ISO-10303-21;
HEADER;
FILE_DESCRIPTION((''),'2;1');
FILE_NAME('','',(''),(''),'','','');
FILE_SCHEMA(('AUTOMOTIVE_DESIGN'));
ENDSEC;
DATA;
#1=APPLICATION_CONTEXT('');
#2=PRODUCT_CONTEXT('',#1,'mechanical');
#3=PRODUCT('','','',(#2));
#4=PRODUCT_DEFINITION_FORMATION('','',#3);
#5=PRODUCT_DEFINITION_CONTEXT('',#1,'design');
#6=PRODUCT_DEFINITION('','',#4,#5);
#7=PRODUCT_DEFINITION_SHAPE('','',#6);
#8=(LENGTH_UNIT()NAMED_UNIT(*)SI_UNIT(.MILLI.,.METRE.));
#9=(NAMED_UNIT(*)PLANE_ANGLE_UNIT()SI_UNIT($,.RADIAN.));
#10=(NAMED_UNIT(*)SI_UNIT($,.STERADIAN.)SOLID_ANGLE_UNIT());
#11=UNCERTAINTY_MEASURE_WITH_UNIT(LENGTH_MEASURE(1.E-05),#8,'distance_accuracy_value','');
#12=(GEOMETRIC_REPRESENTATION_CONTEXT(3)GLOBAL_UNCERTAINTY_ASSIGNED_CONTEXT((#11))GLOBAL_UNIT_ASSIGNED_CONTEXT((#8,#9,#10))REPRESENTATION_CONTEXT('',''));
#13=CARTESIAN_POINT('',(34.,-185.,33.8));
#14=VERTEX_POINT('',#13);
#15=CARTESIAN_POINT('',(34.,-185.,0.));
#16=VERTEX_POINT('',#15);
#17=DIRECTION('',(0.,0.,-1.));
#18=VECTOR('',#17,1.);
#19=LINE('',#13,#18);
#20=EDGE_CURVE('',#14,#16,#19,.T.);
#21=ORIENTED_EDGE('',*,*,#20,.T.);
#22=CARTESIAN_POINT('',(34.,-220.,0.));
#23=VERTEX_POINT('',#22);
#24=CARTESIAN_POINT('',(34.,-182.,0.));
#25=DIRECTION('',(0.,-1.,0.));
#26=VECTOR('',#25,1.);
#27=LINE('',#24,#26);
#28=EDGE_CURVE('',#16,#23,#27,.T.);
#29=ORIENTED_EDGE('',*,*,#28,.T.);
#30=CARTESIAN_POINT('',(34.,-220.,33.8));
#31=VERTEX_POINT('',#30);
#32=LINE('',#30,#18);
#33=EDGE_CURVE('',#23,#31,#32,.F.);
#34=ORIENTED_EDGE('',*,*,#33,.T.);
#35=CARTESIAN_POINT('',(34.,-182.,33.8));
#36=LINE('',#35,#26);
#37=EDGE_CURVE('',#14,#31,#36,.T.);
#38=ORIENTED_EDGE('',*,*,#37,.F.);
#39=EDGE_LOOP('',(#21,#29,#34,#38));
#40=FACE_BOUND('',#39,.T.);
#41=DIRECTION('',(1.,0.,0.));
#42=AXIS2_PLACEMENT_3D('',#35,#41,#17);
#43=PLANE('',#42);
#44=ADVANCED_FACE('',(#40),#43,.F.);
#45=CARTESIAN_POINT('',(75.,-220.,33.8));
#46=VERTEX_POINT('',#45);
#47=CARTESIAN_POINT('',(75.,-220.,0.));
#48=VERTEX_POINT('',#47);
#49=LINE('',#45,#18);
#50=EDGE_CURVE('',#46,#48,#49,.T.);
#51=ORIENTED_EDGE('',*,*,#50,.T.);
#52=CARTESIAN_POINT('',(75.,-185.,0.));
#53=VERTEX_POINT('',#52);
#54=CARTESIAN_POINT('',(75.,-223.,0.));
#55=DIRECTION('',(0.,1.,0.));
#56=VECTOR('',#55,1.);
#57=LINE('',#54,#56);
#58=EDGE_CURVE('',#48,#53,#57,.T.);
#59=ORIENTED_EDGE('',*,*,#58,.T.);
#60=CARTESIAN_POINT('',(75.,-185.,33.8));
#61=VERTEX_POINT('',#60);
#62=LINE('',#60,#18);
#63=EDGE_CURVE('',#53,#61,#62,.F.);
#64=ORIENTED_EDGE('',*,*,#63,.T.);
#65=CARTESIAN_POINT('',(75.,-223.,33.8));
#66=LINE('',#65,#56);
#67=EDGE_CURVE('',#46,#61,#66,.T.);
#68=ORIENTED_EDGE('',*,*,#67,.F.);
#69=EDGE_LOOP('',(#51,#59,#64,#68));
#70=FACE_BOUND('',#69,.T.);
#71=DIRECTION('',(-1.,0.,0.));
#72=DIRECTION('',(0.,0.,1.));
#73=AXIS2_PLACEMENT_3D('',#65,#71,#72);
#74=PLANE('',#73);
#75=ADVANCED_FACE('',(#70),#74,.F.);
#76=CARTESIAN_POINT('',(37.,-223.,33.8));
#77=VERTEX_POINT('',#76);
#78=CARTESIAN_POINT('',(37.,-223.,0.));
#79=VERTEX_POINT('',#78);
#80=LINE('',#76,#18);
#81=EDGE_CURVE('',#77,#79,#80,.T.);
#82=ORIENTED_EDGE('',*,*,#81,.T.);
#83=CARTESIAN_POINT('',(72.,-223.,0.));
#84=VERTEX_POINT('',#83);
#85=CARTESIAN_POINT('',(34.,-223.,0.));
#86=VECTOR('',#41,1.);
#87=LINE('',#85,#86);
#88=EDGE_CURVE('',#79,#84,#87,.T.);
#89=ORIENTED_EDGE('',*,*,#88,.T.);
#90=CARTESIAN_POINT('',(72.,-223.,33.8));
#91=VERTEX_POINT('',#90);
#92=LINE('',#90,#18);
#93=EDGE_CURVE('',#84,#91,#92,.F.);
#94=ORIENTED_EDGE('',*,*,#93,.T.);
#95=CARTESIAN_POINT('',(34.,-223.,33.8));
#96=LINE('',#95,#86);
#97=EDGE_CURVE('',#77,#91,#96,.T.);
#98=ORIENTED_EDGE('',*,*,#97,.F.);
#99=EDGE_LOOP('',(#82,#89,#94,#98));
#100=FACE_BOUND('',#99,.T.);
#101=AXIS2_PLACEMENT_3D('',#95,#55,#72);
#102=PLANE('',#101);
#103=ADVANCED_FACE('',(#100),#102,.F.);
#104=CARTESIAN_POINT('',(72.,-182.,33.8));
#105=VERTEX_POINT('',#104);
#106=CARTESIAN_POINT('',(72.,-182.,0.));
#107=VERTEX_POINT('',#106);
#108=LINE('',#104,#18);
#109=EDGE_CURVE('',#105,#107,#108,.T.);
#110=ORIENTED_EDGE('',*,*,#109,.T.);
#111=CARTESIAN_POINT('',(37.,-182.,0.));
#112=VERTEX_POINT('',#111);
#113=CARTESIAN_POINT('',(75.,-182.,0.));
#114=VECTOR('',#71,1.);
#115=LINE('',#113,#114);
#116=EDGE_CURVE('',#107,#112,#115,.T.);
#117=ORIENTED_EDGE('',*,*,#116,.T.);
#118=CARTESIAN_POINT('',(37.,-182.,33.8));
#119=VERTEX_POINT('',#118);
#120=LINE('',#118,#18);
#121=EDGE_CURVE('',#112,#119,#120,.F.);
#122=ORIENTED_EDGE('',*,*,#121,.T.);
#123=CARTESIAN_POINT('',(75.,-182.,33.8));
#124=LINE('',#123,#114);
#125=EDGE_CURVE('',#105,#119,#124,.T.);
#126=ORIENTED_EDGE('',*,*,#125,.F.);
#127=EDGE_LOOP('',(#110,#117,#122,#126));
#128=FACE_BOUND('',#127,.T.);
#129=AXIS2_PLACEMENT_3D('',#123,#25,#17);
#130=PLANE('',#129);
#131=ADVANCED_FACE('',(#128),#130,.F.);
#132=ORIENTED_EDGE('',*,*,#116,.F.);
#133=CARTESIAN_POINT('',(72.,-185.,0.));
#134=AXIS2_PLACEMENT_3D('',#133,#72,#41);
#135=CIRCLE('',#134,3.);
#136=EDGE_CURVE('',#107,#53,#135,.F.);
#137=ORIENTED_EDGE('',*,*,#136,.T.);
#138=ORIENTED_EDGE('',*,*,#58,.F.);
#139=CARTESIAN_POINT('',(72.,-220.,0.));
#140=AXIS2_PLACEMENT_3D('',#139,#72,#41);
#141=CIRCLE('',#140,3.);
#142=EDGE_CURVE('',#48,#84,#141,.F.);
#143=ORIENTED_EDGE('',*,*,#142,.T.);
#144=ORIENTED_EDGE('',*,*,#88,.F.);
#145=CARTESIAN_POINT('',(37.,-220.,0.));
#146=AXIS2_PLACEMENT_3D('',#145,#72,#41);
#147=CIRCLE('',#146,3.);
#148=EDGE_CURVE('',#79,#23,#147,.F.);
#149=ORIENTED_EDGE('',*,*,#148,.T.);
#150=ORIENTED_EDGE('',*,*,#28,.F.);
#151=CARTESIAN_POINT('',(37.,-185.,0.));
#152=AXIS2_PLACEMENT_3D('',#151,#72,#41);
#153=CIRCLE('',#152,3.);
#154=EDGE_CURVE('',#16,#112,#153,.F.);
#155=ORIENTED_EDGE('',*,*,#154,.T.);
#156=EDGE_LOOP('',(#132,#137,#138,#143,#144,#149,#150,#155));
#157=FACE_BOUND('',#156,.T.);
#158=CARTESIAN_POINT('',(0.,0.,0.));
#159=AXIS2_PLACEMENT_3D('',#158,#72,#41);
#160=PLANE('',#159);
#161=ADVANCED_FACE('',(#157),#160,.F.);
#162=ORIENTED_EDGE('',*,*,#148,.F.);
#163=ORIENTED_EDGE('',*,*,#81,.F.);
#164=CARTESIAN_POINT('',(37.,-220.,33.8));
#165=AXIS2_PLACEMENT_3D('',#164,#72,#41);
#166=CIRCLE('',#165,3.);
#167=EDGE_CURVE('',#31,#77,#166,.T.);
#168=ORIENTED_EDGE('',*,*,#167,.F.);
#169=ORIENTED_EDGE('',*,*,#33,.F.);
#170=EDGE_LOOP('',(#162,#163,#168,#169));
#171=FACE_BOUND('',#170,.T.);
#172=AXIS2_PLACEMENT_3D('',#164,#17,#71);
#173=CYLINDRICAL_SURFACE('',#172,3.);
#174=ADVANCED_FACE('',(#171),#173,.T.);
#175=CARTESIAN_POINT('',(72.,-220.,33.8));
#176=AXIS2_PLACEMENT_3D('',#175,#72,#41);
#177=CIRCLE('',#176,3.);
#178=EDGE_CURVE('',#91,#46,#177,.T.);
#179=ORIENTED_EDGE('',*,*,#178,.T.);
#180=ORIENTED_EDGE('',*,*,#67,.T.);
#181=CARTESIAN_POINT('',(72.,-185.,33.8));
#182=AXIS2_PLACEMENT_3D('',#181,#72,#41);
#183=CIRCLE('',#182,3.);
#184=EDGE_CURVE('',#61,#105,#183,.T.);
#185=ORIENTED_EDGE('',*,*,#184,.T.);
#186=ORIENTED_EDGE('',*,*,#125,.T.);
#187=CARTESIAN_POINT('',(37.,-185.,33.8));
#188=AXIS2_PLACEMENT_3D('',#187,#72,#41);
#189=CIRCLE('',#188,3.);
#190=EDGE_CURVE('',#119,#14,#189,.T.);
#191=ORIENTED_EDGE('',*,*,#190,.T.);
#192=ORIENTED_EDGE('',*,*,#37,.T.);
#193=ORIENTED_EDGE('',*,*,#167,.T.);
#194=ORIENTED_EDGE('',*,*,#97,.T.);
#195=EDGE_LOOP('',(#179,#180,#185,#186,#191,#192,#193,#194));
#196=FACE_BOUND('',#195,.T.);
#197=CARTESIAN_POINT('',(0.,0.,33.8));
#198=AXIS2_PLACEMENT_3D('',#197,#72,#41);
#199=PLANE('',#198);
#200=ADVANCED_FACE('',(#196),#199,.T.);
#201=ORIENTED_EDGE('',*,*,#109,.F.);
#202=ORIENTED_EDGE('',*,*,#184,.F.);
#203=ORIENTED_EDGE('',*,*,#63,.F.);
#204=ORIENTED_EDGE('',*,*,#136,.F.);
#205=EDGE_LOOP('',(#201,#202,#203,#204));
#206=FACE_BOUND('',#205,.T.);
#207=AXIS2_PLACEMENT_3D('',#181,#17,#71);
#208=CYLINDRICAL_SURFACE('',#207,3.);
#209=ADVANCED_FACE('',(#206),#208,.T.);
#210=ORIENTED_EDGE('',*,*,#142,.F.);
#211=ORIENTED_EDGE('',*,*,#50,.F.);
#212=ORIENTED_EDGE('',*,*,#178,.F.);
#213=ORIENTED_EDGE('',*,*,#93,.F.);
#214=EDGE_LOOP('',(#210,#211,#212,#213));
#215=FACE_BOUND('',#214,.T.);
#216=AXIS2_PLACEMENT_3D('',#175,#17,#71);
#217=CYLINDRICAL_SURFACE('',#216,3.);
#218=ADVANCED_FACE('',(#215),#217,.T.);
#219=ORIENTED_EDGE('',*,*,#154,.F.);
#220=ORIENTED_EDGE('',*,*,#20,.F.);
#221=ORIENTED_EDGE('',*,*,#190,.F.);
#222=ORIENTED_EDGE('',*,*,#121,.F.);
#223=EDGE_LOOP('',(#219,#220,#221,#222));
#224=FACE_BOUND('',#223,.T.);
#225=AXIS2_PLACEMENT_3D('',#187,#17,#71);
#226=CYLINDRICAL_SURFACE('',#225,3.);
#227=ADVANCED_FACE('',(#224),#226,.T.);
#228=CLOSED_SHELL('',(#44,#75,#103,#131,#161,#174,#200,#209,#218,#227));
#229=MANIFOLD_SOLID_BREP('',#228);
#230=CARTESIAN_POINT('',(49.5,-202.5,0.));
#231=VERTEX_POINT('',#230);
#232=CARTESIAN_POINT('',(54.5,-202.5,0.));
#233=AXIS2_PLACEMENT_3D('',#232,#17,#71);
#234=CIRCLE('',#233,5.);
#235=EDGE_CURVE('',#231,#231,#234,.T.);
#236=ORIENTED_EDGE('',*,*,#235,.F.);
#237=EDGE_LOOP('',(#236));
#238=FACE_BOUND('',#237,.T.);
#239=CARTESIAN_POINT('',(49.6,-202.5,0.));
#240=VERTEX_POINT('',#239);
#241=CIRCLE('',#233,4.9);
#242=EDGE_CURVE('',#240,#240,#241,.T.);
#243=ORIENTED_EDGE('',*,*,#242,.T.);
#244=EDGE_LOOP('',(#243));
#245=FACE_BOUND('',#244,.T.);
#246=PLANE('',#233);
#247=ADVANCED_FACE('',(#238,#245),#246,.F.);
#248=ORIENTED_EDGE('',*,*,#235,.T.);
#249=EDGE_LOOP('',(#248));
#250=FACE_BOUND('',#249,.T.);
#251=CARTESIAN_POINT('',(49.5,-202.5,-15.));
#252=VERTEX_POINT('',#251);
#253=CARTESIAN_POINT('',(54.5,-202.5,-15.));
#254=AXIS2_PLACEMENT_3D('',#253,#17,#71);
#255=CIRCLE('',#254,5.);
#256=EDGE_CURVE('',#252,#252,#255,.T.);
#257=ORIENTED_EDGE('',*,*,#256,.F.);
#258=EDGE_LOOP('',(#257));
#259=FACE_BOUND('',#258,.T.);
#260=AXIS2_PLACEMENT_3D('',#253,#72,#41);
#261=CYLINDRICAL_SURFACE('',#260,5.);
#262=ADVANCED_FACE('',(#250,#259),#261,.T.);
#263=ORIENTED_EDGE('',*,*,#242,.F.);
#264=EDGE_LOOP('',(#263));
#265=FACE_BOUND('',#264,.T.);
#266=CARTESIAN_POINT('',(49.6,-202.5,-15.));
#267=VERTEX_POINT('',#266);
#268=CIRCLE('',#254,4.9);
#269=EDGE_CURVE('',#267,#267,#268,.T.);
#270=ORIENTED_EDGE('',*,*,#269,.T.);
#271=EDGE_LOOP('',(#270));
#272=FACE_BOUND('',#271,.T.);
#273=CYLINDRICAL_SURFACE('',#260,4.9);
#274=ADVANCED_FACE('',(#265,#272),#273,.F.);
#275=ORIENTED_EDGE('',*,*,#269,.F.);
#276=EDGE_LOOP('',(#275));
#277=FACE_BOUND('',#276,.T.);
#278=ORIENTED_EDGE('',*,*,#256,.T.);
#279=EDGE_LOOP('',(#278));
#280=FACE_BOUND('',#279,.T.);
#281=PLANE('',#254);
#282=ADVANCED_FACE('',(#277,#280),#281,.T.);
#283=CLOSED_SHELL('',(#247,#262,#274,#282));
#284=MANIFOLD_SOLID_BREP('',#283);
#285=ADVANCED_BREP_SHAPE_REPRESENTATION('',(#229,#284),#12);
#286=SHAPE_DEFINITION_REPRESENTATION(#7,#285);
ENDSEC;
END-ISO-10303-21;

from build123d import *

# Parameters (mm, degrees)
SKETCH1_W           = 41
SKETCH1_H           = 41
BOSS_EXTRUDE1_DEPTH = 33.8
SKETCH2_R           = 5
SKETCH2_R_2         = 4.9
BOSS_EXTRUDE2_DEPTH = 15
FILLET1_R           = 3


with BuildPart() as part:
    # Sketch1 → Boss-Extrude1 (new body)
    with BuildSketch(Plane.XY):
        with Locations((54.5, -202.5)):
            Rectangle(SKETCH1_W, SKETCH1_H)
    extrude(amount=BOSS_EXTRUDE1_DEPTH)

    # Fillet1
    fillet1_edges = [part.edges().sort_by_distance(p)[0] for p in [
        (34, -223, 16.9),
        (34, -182, 16.9),
        (75, -182, 16.9),
        (75, -223, 16.9),
    ]]
    fillet(fillet1_edges, radius=FILLET1_R)


with BuildPart() as body_2:
    # Sketch2 → Boss-Extrude2 (new body)
    with BuildSketch(Plane(origin=(0, 0, 0), x_dir=(-1, 0, 0), z_dir=(0, 0, -1))):
        with Locations((-54.5, -202.5)):
            Circle(SKETCH2_R)
        with Locations((-54.5, -202.5)):
            Circle(SKETCH2_R_2, mode=Mode.SUBTRACT)
    extrude(amount=BOSS_EXTRUDE2_DEPTH)


solid = Compound([part.part, body_2.part])
